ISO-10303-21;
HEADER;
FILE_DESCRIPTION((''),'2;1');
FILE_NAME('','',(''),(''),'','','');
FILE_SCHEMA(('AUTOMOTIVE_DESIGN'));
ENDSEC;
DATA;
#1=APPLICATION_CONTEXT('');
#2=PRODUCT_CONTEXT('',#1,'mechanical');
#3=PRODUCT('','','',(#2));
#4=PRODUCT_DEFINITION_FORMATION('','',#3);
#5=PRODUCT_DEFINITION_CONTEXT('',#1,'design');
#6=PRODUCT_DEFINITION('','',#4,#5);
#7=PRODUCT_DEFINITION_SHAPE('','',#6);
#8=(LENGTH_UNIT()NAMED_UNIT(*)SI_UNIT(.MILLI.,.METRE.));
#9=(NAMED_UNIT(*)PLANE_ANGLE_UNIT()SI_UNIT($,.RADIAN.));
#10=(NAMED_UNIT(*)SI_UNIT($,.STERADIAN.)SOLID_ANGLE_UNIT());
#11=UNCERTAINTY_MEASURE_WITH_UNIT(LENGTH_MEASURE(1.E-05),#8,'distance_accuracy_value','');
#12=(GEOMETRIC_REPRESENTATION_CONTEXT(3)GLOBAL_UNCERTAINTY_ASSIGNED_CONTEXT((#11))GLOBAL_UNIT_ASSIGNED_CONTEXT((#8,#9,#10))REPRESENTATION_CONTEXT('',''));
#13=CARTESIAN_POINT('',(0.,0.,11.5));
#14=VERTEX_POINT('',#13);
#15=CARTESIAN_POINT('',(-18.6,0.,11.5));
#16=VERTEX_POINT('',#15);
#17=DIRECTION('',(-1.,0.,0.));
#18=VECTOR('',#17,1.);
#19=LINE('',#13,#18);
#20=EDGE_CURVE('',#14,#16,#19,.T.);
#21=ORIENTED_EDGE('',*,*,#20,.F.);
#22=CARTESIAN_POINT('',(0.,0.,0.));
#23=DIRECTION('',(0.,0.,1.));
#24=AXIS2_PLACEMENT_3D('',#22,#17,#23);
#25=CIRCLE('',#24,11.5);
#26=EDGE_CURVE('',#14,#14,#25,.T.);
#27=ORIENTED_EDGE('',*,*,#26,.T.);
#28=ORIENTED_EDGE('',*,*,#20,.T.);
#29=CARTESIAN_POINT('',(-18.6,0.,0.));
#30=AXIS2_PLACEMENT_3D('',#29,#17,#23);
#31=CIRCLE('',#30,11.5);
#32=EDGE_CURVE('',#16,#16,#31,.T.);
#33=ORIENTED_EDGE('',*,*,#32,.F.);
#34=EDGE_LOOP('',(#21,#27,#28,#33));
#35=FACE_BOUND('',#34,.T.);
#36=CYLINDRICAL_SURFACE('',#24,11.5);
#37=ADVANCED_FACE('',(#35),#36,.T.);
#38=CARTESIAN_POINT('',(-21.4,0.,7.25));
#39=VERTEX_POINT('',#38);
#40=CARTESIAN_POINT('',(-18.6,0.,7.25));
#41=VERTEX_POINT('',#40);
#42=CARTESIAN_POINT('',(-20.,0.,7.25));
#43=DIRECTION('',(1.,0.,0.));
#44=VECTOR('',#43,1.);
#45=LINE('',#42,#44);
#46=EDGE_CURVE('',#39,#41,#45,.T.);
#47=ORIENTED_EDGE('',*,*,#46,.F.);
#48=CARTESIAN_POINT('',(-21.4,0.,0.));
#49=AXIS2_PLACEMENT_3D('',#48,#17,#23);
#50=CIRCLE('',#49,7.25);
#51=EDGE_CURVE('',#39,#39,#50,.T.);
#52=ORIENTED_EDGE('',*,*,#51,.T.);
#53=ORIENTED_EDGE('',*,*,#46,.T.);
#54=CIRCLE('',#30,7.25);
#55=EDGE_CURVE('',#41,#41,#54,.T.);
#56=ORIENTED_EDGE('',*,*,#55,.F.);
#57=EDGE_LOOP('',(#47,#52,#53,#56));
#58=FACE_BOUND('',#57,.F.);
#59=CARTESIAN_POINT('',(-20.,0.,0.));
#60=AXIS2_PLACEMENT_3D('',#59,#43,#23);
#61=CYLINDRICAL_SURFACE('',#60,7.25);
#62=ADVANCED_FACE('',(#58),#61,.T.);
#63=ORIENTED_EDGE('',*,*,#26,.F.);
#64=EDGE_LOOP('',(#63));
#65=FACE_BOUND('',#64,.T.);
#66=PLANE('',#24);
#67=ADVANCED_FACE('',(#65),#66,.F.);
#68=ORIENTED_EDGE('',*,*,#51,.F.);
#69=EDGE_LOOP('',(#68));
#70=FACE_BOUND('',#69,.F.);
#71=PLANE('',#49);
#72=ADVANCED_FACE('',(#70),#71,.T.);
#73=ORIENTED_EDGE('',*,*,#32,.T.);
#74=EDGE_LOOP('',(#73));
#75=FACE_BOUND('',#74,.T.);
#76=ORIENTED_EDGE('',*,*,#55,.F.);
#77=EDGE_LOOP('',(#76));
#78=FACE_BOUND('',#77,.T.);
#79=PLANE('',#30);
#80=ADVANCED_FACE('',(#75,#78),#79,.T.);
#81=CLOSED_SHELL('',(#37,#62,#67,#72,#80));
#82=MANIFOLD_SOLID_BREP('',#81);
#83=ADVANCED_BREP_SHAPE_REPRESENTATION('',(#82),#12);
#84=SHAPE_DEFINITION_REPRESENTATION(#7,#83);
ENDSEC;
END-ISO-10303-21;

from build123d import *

# Parameters (mm, degrees)
F0_W = 2.8
F0_H = 7.25


with BuildPart() as f1:
    # F0 (on Front) → F1 (revolve)
    with BuildSketch(Plane.XZ):
        Polygon((0, 11.5), (-18.6, 11.5), (-18.6, 7.25), (-18.6, 0), (0, 0), align=None)
        with Locations((-20, 3.625)):
            Rectangle(F0_W, F0_H)
    revolve(axis=Axis((-10.7, 0, 0), (-1, 0, 0)))


solid = f1.part
